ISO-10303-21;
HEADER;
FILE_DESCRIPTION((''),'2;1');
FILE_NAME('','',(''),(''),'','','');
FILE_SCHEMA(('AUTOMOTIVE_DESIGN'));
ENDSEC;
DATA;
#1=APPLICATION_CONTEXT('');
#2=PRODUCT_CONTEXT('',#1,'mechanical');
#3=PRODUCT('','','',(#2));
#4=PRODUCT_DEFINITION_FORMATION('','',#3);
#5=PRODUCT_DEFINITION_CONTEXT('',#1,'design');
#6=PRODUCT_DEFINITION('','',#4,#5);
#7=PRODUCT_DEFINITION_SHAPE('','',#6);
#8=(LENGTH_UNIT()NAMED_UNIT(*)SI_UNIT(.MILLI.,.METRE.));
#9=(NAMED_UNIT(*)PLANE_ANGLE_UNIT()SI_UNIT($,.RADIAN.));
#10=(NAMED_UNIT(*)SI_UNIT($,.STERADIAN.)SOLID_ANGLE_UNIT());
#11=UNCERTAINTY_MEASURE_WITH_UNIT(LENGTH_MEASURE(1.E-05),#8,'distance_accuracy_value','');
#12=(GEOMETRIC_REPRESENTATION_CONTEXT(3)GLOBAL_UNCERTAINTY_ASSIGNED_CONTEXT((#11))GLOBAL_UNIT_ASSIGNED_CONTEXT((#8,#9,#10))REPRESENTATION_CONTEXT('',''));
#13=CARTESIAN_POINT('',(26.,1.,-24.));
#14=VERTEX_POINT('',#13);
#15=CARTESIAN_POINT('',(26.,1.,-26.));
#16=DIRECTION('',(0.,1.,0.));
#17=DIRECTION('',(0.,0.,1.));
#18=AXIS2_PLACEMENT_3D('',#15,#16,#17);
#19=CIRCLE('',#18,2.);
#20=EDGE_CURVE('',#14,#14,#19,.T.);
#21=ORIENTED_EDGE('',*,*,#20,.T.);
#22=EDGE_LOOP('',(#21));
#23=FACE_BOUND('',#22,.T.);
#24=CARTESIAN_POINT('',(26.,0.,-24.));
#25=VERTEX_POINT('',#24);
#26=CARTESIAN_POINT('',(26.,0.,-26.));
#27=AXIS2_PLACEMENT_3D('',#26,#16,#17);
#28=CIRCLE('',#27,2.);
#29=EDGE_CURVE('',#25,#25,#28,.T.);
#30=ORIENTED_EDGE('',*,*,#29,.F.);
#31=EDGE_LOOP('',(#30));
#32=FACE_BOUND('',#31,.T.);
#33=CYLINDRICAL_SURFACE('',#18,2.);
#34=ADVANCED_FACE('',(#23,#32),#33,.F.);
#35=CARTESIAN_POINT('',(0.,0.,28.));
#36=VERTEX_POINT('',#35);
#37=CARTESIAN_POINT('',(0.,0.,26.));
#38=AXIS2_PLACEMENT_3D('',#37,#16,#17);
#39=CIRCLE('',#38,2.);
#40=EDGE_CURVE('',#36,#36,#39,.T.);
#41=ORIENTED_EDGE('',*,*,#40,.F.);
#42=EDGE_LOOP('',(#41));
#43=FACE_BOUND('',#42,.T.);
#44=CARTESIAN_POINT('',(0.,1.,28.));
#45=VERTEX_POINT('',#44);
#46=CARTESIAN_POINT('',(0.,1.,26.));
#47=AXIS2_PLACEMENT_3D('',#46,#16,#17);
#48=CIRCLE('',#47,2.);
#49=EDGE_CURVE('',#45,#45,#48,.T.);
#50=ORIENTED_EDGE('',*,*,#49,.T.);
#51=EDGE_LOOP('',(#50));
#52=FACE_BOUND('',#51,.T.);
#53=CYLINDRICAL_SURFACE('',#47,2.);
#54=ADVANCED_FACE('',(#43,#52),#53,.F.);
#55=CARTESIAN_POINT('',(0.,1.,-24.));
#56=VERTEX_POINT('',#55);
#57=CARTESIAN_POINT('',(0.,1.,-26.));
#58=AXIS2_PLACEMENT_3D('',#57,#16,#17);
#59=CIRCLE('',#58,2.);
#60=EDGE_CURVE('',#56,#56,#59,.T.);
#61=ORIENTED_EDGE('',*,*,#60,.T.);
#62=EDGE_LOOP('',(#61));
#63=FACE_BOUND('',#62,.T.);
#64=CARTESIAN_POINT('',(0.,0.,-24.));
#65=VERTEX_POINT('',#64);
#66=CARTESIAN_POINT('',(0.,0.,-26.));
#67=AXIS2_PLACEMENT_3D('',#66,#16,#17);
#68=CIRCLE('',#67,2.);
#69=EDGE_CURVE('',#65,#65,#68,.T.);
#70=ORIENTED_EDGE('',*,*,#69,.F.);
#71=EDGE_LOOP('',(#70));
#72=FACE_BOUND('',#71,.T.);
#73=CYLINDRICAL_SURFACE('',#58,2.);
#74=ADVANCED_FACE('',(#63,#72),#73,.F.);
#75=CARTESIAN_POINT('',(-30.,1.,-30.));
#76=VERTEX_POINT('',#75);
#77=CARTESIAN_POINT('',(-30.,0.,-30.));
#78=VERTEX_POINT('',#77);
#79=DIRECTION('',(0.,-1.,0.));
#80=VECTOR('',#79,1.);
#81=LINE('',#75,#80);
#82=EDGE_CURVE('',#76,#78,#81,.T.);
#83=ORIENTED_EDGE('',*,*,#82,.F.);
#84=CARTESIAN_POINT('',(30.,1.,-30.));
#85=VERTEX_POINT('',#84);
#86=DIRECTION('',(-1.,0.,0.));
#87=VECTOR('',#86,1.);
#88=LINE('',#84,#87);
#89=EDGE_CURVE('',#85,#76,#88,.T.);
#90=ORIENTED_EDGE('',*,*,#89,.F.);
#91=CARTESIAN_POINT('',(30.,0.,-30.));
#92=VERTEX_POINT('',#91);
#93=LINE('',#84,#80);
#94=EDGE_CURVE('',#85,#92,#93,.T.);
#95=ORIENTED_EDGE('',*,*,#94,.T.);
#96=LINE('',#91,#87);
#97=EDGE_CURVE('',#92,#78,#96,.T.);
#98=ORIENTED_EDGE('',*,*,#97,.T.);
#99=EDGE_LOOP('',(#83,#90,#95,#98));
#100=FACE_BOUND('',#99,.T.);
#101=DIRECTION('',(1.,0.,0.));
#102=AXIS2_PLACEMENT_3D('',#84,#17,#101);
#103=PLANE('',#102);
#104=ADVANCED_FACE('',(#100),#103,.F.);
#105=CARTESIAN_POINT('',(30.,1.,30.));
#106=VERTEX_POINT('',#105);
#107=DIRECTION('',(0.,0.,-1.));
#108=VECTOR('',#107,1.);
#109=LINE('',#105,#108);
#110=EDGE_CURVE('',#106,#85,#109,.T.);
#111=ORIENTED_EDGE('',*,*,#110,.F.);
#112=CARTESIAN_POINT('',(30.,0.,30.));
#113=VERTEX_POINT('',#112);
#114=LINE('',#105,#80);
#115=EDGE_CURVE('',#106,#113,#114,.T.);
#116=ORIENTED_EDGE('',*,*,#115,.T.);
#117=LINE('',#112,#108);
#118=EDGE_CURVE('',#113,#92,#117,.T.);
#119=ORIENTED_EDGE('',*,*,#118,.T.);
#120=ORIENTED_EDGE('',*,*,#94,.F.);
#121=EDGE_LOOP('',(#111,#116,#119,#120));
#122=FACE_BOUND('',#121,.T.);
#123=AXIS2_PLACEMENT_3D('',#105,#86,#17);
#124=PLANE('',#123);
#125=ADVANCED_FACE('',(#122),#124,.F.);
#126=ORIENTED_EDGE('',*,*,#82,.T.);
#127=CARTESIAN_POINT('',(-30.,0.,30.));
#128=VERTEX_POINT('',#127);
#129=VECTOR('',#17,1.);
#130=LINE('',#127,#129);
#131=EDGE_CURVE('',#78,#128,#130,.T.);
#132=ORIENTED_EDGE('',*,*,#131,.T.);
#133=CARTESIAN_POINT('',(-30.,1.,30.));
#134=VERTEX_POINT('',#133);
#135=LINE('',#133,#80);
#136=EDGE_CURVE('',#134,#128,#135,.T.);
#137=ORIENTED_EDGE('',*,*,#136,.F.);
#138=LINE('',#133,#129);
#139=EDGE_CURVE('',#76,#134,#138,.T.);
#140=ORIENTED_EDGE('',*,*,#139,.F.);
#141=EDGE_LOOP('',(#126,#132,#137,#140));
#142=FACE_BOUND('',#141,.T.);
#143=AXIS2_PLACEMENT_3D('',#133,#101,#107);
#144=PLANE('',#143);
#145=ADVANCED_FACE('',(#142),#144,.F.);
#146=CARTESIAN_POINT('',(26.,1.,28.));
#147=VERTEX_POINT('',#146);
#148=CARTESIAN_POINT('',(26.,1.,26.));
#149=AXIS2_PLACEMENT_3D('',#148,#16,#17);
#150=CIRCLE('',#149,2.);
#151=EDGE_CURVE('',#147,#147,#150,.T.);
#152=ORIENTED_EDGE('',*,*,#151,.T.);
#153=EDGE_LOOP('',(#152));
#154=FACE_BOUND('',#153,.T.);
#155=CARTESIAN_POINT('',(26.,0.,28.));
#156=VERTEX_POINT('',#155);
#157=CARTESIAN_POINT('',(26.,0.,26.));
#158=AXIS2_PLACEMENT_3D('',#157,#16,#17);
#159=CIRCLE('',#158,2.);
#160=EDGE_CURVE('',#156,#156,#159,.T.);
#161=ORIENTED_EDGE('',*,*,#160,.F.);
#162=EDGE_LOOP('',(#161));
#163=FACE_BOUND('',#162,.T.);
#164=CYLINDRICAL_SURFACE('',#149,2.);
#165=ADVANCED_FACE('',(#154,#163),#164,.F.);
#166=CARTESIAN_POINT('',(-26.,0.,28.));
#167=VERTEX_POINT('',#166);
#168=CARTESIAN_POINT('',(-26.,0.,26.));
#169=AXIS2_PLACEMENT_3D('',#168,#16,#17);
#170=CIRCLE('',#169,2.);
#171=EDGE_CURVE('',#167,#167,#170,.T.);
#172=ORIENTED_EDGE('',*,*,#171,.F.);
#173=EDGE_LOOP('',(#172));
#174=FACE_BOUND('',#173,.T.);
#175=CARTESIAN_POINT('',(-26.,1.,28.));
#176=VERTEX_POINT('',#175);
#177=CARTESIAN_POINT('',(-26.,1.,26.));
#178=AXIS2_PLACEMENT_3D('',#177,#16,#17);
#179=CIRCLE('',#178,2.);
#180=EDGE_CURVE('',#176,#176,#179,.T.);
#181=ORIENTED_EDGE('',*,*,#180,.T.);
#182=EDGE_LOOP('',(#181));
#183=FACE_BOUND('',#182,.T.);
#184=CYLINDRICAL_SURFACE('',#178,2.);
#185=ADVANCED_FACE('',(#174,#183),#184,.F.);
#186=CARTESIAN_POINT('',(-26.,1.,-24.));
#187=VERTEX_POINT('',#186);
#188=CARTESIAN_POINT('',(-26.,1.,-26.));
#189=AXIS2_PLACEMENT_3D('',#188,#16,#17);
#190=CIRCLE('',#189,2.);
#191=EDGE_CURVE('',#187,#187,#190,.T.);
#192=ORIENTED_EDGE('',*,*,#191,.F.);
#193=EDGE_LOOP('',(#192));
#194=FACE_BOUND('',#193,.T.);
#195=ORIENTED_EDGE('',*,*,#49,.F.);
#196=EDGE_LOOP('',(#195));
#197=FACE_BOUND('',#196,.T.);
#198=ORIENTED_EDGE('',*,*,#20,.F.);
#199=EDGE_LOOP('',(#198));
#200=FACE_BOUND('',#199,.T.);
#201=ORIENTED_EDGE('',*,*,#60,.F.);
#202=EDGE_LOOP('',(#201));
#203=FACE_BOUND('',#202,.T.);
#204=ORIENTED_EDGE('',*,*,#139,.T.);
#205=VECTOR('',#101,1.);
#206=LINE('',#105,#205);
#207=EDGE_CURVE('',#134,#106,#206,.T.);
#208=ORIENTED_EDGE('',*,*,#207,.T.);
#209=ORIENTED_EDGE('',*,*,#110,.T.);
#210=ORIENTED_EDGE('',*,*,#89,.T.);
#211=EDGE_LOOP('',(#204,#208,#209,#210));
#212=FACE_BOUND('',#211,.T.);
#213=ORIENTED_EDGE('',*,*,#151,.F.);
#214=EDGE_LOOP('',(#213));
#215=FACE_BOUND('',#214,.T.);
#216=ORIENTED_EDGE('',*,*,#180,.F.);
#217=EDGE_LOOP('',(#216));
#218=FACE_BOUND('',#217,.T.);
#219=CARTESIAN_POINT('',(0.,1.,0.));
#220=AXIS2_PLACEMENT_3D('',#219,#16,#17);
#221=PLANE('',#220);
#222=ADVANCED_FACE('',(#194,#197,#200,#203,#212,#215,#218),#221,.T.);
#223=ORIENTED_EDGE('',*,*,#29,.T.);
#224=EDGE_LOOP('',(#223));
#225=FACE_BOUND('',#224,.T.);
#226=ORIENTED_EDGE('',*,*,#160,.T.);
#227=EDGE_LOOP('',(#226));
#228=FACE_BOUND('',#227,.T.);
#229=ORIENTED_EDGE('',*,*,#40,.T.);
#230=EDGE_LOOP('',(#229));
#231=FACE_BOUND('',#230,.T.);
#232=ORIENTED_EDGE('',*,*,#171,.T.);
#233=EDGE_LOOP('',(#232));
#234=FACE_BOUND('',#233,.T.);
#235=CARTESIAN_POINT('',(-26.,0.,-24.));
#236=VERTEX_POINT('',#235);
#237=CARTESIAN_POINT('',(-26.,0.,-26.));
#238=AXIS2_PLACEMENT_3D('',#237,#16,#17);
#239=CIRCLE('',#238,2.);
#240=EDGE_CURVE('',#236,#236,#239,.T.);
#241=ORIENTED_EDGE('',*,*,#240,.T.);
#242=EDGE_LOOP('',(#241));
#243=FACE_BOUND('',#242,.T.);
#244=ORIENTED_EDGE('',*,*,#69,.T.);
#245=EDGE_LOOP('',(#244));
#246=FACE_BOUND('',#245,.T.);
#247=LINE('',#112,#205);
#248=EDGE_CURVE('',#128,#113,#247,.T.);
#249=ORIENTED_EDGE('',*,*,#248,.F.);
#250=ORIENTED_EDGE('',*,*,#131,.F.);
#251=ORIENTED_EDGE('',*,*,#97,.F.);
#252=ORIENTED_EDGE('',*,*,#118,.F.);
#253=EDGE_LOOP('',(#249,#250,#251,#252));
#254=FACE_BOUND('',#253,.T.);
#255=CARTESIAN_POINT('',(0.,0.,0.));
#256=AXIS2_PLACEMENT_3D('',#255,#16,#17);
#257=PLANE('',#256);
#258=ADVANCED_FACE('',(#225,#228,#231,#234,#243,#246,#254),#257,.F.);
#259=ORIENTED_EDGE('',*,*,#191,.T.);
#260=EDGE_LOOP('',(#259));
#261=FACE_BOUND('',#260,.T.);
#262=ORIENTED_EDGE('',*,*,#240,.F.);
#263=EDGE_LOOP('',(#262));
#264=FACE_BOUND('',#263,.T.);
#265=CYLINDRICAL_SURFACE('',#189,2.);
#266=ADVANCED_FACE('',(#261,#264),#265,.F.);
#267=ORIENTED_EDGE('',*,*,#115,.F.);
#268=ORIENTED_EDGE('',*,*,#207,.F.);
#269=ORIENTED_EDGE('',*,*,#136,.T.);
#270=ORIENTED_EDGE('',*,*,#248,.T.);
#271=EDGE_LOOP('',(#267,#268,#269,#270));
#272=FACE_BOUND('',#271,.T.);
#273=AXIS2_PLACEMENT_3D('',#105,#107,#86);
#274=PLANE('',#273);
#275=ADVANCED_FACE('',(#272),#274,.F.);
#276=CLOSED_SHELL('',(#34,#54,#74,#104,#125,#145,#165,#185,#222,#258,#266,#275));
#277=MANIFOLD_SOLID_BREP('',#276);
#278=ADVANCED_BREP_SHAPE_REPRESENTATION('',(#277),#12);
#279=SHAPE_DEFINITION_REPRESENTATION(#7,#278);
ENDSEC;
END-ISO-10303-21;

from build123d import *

# Parameters (mm, degrees)
SKETCH1_W                    = 60
SKETCH1_H                    = 60
BOSS_EXTRUDE1_DEPTH          = 1
F_4_0_4_DIAMETER_HOLE1_D     = 4
F_4_0_4_DIAMETER_HOLE1_DEPTH = 1


with BuildPart() as part:
    # Sketch1 → Boss-Extrude1 (new body)
    with BuildSketch(Plane(origin=(0, 0, 0), x_dir=(1, 0, 0), z_dir=(0, 1, 0))):
        Rectangle(SKETCH1_W, SKETCH1_H)
    extrude(amount=BOSS_EXTRUDE1_DEPTH)

    # Ø4.0 (4) Diameter Hole1
    with Locations(Plane(origin=(0, 1, 0), x_dir=(1, 0, 0), z_dir=(0, 1, 0))):
        with Locations((26, 26), (0, 26), (-26, 26), (0, -26), (26, -26), (-26, -26)):
            Hole(F_4_0_4_DIAMETER_HOLE1_D / 2, depth=F_4_0_4_DIAMETER_HOLE1_DEPTH)


solid = part.part
